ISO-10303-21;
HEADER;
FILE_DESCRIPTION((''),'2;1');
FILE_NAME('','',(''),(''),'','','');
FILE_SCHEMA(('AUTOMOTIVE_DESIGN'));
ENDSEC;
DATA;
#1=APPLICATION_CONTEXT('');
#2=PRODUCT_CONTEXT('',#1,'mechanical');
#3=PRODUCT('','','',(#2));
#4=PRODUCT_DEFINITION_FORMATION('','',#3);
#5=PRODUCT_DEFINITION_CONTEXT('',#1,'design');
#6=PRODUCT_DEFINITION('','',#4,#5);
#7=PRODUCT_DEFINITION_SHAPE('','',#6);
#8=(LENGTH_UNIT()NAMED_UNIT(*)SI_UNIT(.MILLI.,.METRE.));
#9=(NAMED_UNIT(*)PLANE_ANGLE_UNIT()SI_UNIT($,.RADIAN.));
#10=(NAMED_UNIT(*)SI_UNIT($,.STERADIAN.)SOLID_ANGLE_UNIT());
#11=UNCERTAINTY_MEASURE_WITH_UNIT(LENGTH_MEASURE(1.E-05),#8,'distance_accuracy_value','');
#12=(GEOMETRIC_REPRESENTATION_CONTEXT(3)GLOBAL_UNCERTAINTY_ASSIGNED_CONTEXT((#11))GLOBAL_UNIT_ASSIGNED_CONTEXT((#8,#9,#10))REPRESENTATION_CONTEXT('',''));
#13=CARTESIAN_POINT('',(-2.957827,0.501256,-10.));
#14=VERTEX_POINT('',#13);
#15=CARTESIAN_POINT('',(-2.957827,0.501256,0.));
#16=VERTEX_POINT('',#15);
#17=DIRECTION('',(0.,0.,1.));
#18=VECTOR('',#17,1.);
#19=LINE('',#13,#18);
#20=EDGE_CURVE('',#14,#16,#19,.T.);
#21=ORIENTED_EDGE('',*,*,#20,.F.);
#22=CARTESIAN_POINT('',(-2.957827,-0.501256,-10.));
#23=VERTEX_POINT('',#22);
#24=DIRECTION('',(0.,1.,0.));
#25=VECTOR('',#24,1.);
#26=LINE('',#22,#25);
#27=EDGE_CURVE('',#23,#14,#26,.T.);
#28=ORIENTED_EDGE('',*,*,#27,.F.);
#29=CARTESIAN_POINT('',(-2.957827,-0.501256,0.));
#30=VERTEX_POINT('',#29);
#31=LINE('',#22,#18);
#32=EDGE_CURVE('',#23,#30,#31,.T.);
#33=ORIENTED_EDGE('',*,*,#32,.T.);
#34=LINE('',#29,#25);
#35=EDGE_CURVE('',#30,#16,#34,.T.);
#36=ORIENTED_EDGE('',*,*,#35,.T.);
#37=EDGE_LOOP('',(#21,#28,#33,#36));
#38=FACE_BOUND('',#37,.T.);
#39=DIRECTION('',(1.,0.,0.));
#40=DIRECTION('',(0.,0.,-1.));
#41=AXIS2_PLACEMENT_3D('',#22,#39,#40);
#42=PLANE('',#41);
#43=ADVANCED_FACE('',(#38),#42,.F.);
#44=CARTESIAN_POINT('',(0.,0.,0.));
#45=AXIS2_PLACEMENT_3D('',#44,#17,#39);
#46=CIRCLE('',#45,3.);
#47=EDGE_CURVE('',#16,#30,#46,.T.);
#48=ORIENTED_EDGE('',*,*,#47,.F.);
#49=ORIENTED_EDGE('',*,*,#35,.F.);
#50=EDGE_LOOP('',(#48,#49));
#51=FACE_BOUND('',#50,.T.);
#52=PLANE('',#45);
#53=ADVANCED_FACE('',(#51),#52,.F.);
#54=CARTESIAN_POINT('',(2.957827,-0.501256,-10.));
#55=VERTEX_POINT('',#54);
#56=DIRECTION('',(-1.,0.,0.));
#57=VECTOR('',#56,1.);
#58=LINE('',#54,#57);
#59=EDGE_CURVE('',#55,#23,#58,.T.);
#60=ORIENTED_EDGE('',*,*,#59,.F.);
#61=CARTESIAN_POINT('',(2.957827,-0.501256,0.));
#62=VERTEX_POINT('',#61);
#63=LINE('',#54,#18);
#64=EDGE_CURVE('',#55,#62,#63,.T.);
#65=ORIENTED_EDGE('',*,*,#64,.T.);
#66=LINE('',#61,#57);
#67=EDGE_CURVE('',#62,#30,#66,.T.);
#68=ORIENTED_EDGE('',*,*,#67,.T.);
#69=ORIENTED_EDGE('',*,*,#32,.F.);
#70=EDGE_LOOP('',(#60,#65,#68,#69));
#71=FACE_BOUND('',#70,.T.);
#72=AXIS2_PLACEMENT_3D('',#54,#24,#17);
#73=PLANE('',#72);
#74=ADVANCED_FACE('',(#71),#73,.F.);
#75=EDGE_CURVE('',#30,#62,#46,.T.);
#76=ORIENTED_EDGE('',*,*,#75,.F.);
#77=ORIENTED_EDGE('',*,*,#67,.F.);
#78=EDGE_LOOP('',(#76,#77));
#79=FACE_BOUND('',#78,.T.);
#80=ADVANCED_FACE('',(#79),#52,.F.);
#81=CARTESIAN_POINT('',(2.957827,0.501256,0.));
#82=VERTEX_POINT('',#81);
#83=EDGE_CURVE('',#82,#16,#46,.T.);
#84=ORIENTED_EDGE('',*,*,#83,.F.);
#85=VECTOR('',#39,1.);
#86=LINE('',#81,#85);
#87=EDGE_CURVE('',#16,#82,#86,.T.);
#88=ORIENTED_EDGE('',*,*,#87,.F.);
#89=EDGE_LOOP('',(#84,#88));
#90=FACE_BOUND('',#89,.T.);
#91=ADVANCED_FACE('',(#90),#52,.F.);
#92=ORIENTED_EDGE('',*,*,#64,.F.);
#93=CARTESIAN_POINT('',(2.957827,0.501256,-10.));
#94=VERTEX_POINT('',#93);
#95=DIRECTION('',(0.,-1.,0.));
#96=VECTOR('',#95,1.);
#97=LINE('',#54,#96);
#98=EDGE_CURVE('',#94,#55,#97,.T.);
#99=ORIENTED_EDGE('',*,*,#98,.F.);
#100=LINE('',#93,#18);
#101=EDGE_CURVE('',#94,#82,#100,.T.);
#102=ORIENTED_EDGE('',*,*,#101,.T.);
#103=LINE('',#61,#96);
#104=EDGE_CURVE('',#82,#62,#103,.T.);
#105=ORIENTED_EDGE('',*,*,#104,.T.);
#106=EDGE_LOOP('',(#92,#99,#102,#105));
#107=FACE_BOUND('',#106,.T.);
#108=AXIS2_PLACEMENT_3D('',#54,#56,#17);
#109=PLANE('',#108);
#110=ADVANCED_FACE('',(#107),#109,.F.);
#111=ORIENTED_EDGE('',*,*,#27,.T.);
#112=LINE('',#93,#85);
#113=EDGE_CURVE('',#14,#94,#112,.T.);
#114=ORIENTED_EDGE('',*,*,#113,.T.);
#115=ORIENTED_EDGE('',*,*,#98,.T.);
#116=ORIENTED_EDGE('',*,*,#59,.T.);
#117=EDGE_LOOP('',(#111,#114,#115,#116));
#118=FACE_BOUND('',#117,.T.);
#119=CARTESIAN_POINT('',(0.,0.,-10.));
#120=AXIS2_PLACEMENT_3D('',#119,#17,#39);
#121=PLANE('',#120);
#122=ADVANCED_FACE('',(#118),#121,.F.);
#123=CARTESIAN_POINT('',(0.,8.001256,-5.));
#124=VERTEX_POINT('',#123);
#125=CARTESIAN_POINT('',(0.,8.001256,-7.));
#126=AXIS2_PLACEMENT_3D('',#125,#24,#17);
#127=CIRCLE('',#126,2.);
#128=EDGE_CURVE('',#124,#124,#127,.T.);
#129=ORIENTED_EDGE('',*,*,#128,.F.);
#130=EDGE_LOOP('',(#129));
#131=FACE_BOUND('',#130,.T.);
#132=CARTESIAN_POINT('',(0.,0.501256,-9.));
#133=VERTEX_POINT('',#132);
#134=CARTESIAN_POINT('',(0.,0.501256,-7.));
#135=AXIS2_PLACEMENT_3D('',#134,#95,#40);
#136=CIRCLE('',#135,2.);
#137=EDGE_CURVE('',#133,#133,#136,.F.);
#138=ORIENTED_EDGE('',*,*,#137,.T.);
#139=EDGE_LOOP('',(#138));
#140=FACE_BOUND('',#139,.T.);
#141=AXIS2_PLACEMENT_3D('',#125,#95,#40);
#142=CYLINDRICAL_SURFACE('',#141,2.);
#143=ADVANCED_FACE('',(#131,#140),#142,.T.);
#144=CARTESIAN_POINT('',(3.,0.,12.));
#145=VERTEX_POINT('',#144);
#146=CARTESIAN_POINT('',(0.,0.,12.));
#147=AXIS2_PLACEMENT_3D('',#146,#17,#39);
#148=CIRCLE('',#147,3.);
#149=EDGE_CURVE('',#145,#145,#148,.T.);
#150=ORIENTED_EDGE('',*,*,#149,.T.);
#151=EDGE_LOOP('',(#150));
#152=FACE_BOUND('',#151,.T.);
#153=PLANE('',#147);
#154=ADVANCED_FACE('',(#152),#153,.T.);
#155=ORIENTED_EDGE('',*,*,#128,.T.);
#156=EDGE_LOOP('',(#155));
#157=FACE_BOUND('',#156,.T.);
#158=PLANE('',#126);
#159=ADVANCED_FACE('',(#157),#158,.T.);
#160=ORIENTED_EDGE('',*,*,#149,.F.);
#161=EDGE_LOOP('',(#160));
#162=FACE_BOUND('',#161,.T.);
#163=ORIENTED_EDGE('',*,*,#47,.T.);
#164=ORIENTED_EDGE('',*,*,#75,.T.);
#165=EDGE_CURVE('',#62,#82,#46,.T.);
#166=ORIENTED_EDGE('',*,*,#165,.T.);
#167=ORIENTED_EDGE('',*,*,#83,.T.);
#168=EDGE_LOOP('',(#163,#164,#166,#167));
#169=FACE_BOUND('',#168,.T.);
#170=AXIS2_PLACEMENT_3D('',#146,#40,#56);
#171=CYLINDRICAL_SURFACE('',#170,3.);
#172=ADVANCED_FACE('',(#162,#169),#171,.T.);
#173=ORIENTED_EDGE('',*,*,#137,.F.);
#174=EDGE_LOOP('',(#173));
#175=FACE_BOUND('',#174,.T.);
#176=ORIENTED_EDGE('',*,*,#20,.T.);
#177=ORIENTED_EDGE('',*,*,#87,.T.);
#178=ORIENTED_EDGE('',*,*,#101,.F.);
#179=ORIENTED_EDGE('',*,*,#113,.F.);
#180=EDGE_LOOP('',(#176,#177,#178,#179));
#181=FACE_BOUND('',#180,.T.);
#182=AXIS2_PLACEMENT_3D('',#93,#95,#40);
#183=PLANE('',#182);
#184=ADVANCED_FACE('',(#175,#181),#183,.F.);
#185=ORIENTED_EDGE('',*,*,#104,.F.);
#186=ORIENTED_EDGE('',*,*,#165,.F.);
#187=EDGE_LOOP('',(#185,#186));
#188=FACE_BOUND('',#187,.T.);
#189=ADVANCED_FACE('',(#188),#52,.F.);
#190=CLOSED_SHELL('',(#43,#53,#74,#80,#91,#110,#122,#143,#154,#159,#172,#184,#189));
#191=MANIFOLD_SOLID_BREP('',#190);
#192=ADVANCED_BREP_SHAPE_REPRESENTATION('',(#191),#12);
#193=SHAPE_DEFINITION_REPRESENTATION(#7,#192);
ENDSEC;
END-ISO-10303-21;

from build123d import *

# Parameters (mm, degrees)
SKETCH1_R           = 3
BOSS_EXTRUDE1_DEPTH = 12
SKETCH2_W           = 5.91565448
SKETCH2_H           = 1.002512874
BOSS_EXTRUDE2_DEPTH = 10
SKETCH4_R           = 2
BOSS_EXTRUDE3_DEPTH = 7.5


with BuildPart() as part:
    # Sketch1 → Boss-Extrude1 (new body)
    with BuildSketch(Plane.XY):
        Circle(SKETCH1_R)
    extrude(amount=BOSS_EXTRUDE1_DEPTH)

    # Sketch2 → Boss-Extrude2 (add)
    with BuildSketch(Plane(origin=(0, 0, 0), x_dir=(-1, 0, 0), z_dir=(0, 0, -1))):
        Rectangle(SKETCH2_W, SKETCH2_H)
    extrude(amount=BOSS_EXTRUDE2_DEPTH)

    # Sketch4 → Boss-Extrude3 (add)
    with BuildSketch(Plane(origin=(0, 0.501256437, 0), x_dir=(1, 0, 0), z_dir=(0, 1, 0))):
        with Locations((0, 7)):
            Circle(SKETCH4_R)
    extrude(amount=BOSS_EXTRUDE3_DEPTH)


solid = part.part
